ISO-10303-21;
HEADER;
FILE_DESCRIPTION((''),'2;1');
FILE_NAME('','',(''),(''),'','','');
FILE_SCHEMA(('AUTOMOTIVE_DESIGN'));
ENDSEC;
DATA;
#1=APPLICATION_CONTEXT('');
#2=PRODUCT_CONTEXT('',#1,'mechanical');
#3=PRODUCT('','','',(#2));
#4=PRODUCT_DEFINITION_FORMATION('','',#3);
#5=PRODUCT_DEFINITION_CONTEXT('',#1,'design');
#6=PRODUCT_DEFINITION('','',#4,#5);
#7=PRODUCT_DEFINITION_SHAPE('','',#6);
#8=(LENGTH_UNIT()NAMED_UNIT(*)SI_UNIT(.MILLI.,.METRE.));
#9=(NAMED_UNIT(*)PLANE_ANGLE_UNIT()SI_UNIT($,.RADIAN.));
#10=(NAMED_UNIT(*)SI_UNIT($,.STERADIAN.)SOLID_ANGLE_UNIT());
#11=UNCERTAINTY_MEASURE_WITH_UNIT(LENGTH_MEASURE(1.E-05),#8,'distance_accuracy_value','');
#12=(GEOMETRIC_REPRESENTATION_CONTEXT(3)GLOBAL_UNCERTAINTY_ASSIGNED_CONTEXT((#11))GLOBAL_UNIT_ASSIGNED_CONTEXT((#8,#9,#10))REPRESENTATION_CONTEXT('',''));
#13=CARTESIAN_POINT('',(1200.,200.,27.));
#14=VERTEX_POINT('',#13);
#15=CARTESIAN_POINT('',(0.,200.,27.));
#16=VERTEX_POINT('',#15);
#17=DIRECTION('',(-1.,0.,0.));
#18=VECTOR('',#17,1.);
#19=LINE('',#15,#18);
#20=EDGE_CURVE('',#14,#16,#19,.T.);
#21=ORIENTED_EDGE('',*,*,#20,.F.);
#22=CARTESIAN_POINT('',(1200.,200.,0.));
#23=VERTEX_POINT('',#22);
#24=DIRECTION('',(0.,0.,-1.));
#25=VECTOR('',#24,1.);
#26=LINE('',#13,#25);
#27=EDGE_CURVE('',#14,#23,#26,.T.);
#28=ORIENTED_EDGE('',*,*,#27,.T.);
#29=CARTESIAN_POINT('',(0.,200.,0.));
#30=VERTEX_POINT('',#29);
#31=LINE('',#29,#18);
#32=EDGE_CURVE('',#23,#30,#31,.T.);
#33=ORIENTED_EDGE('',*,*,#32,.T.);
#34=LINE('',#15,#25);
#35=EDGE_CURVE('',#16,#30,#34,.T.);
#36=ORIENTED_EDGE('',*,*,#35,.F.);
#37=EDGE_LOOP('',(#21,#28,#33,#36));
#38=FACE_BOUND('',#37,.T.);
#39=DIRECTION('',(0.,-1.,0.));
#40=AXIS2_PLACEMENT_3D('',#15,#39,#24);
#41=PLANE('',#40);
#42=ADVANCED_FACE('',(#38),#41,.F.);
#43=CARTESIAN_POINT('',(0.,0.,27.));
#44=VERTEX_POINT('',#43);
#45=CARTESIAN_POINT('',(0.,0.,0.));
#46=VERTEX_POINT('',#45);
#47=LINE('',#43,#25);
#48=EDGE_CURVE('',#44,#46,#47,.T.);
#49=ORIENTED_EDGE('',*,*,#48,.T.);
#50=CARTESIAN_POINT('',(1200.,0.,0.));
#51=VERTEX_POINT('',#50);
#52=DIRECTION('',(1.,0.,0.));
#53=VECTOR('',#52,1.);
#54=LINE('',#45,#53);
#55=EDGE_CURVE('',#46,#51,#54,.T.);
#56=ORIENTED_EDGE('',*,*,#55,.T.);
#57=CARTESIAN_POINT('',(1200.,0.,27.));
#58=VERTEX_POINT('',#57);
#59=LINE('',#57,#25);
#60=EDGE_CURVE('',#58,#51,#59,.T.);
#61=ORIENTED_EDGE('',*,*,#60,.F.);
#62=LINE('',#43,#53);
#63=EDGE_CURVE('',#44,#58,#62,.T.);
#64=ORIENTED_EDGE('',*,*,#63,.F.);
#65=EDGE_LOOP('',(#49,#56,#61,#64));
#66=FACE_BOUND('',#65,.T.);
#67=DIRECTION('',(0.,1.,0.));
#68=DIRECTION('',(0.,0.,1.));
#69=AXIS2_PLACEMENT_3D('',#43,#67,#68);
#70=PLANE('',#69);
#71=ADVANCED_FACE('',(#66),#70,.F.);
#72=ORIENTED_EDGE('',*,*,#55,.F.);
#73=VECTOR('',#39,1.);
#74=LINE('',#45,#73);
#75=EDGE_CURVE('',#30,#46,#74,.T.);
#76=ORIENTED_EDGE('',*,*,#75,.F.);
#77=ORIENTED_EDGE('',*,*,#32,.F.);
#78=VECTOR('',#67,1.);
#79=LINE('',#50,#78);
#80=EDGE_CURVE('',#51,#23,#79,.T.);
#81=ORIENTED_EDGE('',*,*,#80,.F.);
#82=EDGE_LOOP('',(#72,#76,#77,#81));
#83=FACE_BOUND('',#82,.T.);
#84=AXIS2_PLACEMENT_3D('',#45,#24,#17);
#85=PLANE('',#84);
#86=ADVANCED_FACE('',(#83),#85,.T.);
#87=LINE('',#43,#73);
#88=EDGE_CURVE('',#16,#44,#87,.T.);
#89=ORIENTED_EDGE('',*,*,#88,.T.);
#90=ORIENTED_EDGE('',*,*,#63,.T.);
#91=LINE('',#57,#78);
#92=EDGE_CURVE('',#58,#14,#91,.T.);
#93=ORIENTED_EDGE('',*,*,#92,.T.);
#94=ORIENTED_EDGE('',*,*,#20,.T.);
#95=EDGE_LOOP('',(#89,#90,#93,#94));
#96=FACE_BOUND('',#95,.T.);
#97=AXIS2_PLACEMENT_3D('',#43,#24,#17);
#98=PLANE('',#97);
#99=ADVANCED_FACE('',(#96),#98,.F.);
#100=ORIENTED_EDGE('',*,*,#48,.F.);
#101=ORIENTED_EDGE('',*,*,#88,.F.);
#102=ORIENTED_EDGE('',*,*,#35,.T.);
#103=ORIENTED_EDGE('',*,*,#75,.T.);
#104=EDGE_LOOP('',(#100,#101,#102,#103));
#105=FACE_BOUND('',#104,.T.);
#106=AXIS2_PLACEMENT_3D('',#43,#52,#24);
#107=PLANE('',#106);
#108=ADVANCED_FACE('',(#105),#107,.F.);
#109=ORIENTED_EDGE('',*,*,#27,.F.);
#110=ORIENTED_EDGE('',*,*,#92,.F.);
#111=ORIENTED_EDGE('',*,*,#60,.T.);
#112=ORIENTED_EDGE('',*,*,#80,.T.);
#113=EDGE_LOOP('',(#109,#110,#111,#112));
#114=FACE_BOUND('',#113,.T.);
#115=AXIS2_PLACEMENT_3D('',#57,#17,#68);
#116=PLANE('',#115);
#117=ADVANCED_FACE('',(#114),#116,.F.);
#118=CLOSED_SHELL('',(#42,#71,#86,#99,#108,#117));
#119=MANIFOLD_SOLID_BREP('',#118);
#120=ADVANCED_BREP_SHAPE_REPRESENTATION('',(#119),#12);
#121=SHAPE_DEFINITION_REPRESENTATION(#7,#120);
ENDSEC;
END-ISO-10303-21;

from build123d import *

# Parameters (mm, degrees)
ESQUISSE1_W        = 1200
ESQUISSE1_H        = 200
BOSS_EXTRU_1_DEPTH = 27


with BuildPart() as part:
    # Esquisse1 → Boss.-Extru.1 (new body)
    with BuildSketch(Plane.XY):
        with Locations((600, 100)):
            Rectangle(ESQUISSE1_W, ESQUISSE1_H)
    extrude(amount=BOSS_EXTRU_1_DEPTH)


solid = part.part
